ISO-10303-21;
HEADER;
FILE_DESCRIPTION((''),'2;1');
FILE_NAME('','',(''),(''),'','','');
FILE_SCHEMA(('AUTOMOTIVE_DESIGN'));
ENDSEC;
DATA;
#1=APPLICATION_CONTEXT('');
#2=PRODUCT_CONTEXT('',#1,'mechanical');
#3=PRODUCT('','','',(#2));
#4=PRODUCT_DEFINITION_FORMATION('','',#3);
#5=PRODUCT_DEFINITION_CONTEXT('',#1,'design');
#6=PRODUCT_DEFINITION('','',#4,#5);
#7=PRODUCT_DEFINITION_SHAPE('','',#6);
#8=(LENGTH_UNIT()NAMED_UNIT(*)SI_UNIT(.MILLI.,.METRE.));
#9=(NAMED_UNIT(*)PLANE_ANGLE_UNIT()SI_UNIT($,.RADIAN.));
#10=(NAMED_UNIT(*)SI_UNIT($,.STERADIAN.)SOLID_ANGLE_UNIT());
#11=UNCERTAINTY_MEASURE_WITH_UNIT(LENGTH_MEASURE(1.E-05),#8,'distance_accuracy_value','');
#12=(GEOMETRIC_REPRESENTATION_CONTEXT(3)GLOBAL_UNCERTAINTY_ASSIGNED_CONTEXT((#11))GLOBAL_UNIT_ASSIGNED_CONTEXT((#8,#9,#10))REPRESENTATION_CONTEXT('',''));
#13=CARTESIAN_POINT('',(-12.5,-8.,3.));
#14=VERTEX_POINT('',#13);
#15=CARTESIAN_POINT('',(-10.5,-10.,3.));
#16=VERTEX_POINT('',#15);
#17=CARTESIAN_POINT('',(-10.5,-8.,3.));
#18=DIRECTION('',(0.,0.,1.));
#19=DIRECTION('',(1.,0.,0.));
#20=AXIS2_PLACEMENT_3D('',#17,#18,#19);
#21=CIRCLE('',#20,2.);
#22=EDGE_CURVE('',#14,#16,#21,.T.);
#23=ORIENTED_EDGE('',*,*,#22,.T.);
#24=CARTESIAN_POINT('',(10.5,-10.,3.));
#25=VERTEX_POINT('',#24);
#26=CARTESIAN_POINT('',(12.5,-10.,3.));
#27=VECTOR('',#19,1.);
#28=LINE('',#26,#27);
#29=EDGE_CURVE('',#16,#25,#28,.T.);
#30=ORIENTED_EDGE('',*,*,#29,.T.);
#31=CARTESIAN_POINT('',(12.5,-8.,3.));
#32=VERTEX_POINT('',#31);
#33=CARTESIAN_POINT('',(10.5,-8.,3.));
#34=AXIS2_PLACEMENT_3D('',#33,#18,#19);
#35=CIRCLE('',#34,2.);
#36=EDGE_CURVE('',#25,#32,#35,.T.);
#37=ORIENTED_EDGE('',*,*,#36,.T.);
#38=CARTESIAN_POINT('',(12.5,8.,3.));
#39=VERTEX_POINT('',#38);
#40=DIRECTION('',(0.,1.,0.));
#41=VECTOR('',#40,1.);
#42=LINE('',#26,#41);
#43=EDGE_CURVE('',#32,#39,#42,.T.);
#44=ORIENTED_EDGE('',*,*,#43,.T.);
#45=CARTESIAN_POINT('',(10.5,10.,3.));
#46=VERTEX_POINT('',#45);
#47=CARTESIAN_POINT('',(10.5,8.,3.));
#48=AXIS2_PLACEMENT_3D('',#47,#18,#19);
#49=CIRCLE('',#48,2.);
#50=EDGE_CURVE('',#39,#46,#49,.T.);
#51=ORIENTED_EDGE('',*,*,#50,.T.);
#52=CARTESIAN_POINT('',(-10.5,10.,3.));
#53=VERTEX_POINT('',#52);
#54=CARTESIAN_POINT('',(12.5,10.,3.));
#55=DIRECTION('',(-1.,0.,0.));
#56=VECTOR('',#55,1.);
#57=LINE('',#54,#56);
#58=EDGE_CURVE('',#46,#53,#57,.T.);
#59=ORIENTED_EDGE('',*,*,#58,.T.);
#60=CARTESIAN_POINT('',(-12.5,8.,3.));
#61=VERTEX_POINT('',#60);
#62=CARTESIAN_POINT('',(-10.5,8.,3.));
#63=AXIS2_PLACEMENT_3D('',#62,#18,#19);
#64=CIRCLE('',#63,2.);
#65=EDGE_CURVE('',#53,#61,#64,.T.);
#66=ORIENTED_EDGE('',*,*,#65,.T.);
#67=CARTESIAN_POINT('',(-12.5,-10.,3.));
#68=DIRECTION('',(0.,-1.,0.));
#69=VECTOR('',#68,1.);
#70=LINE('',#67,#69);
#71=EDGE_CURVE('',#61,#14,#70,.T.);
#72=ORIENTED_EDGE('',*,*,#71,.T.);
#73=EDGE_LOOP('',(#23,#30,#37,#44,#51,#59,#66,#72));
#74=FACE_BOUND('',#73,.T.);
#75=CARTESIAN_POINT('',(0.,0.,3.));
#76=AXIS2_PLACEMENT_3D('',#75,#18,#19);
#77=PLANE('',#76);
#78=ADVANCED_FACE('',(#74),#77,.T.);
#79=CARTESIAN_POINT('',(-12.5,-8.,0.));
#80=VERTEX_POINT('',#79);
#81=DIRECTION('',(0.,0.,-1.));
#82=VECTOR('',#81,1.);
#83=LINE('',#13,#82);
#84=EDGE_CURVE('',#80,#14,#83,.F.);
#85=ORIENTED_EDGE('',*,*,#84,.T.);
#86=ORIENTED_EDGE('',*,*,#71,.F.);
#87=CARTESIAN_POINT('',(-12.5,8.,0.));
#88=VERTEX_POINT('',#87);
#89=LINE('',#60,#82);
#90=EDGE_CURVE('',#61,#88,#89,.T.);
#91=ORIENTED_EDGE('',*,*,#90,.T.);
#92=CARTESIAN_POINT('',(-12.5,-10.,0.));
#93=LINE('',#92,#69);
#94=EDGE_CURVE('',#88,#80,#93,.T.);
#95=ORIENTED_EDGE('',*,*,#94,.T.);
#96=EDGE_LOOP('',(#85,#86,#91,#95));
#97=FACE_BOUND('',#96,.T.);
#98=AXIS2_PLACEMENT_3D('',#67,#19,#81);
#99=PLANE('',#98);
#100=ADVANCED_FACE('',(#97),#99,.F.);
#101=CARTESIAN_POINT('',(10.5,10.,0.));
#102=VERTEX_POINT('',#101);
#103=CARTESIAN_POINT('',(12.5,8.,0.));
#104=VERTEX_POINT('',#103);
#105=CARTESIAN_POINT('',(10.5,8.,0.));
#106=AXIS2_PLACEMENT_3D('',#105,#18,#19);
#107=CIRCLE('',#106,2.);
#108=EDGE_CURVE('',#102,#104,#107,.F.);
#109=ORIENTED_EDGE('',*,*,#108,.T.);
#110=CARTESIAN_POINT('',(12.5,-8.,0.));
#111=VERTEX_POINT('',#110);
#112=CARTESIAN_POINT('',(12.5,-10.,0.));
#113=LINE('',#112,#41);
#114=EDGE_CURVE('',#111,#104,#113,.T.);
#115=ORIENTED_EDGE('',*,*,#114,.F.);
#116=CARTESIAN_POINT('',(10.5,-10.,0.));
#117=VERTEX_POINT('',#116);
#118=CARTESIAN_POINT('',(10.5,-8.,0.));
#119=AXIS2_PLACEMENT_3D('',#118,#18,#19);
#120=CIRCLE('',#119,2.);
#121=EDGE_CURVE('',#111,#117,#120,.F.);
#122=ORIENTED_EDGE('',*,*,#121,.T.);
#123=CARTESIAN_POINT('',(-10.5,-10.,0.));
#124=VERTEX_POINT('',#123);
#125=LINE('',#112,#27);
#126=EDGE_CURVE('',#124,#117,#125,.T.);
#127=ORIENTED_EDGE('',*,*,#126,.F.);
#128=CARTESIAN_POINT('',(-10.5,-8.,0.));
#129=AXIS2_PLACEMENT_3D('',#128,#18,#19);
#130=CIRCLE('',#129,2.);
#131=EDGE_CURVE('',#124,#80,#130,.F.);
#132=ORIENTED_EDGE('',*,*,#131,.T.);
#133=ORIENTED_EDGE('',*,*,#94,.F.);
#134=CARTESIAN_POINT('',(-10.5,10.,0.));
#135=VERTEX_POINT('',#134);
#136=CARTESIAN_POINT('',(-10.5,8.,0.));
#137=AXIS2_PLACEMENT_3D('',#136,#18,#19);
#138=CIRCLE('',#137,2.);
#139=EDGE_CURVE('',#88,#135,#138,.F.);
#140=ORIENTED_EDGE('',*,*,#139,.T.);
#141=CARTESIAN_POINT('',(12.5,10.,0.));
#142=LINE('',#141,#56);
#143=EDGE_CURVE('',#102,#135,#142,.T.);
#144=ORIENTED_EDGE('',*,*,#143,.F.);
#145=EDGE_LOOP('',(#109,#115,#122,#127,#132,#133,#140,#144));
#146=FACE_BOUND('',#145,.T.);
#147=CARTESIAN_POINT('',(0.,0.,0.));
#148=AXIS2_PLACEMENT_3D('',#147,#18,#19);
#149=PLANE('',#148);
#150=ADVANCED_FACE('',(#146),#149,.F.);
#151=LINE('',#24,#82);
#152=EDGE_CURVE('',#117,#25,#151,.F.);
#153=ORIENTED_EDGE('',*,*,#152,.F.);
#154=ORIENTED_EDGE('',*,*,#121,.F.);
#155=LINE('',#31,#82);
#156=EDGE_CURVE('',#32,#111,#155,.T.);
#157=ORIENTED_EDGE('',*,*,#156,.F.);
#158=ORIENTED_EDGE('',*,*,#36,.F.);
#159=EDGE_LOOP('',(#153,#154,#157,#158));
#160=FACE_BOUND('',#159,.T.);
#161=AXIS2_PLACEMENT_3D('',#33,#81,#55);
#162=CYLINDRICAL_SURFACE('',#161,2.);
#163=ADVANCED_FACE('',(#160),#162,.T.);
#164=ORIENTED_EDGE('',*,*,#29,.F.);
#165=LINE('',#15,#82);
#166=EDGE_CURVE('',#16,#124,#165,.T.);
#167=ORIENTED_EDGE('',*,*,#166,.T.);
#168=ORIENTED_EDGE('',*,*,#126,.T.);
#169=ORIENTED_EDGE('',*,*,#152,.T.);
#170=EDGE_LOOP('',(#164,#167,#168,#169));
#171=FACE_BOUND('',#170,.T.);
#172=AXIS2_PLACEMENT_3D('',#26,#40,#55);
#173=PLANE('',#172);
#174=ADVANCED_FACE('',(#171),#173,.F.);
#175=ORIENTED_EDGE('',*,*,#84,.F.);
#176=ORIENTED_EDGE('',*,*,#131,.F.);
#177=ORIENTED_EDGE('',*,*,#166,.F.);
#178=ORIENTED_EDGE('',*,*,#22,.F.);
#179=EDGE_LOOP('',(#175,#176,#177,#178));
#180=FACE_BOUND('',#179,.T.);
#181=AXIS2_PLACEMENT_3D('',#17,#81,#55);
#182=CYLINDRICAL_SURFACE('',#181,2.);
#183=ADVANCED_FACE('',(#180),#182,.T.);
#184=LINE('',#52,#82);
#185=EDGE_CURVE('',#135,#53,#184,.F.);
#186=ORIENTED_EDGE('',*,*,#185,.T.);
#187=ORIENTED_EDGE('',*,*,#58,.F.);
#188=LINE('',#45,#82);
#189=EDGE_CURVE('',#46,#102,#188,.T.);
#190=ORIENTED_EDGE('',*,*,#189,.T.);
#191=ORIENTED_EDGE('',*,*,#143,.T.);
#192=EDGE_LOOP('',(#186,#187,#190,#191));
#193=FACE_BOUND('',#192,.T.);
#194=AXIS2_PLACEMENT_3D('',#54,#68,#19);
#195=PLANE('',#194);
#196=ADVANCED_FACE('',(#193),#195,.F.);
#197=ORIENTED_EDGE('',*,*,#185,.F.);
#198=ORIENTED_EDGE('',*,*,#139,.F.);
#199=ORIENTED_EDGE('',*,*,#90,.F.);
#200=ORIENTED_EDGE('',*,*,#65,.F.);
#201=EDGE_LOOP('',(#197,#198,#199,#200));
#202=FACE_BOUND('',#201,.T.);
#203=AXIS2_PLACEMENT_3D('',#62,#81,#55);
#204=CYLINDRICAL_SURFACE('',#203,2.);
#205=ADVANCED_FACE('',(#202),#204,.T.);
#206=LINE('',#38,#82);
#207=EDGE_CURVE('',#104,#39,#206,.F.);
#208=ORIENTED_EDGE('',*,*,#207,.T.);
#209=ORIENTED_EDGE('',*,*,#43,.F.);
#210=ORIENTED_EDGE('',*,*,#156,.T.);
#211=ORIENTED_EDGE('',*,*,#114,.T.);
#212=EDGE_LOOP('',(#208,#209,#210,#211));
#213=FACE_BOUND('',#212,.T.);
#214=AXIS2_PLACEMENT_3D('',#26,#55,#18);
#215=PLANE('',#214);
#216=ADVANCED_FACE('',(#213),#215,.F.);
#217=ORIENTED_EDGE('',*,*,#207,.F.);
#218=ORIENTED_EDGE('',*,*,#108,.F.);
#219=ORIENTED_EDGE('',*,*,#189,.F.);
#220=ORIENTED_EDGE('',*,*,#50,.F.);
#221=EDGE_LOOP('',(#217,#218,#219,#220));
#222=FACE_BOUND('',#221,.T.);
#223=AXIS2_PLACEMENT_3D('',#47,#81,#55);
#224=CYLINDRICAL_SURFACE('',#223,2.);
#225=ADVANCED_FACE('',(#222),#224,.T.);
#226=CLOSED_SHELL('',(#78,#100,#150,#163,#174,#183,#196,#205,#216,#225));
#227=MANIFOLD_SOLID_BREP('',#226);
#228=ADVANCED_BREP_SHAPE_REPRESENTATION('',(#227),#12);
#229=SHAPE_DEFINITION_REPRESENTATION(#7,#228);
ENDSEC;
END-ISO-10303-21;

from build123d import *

# Parameters (mm, degrees)
ESBO_O1_W                = 25
ESBO_O1_H                = 20
RESSALTO_EXTRUS_O1_DEPTH = 3
FILETE1_R                = 2


with BuildPart() as part:
    # Esboço1 → Ressalto-extrusão1 (new body)
    with BuildSketch(Plane.XY):
        Rectangle(ESBO_O1_W, ESBO_O1_H)
    extrude(amount=RESSALTO_EXTRUS_O1_DEPTH)

    # Filete1
    filete1_edges = [part.edges().sort_by_distance(p)[0] for p in [
        (-12.5, 10, 1.5),
        (12.5, 10, 1.5),
        (12.5, -10, 1.5),
        (-12.5, -10, 1.5),
    ]]
    fillet(filete1_edges, radius=FILETE1_R)


solid = part.part
